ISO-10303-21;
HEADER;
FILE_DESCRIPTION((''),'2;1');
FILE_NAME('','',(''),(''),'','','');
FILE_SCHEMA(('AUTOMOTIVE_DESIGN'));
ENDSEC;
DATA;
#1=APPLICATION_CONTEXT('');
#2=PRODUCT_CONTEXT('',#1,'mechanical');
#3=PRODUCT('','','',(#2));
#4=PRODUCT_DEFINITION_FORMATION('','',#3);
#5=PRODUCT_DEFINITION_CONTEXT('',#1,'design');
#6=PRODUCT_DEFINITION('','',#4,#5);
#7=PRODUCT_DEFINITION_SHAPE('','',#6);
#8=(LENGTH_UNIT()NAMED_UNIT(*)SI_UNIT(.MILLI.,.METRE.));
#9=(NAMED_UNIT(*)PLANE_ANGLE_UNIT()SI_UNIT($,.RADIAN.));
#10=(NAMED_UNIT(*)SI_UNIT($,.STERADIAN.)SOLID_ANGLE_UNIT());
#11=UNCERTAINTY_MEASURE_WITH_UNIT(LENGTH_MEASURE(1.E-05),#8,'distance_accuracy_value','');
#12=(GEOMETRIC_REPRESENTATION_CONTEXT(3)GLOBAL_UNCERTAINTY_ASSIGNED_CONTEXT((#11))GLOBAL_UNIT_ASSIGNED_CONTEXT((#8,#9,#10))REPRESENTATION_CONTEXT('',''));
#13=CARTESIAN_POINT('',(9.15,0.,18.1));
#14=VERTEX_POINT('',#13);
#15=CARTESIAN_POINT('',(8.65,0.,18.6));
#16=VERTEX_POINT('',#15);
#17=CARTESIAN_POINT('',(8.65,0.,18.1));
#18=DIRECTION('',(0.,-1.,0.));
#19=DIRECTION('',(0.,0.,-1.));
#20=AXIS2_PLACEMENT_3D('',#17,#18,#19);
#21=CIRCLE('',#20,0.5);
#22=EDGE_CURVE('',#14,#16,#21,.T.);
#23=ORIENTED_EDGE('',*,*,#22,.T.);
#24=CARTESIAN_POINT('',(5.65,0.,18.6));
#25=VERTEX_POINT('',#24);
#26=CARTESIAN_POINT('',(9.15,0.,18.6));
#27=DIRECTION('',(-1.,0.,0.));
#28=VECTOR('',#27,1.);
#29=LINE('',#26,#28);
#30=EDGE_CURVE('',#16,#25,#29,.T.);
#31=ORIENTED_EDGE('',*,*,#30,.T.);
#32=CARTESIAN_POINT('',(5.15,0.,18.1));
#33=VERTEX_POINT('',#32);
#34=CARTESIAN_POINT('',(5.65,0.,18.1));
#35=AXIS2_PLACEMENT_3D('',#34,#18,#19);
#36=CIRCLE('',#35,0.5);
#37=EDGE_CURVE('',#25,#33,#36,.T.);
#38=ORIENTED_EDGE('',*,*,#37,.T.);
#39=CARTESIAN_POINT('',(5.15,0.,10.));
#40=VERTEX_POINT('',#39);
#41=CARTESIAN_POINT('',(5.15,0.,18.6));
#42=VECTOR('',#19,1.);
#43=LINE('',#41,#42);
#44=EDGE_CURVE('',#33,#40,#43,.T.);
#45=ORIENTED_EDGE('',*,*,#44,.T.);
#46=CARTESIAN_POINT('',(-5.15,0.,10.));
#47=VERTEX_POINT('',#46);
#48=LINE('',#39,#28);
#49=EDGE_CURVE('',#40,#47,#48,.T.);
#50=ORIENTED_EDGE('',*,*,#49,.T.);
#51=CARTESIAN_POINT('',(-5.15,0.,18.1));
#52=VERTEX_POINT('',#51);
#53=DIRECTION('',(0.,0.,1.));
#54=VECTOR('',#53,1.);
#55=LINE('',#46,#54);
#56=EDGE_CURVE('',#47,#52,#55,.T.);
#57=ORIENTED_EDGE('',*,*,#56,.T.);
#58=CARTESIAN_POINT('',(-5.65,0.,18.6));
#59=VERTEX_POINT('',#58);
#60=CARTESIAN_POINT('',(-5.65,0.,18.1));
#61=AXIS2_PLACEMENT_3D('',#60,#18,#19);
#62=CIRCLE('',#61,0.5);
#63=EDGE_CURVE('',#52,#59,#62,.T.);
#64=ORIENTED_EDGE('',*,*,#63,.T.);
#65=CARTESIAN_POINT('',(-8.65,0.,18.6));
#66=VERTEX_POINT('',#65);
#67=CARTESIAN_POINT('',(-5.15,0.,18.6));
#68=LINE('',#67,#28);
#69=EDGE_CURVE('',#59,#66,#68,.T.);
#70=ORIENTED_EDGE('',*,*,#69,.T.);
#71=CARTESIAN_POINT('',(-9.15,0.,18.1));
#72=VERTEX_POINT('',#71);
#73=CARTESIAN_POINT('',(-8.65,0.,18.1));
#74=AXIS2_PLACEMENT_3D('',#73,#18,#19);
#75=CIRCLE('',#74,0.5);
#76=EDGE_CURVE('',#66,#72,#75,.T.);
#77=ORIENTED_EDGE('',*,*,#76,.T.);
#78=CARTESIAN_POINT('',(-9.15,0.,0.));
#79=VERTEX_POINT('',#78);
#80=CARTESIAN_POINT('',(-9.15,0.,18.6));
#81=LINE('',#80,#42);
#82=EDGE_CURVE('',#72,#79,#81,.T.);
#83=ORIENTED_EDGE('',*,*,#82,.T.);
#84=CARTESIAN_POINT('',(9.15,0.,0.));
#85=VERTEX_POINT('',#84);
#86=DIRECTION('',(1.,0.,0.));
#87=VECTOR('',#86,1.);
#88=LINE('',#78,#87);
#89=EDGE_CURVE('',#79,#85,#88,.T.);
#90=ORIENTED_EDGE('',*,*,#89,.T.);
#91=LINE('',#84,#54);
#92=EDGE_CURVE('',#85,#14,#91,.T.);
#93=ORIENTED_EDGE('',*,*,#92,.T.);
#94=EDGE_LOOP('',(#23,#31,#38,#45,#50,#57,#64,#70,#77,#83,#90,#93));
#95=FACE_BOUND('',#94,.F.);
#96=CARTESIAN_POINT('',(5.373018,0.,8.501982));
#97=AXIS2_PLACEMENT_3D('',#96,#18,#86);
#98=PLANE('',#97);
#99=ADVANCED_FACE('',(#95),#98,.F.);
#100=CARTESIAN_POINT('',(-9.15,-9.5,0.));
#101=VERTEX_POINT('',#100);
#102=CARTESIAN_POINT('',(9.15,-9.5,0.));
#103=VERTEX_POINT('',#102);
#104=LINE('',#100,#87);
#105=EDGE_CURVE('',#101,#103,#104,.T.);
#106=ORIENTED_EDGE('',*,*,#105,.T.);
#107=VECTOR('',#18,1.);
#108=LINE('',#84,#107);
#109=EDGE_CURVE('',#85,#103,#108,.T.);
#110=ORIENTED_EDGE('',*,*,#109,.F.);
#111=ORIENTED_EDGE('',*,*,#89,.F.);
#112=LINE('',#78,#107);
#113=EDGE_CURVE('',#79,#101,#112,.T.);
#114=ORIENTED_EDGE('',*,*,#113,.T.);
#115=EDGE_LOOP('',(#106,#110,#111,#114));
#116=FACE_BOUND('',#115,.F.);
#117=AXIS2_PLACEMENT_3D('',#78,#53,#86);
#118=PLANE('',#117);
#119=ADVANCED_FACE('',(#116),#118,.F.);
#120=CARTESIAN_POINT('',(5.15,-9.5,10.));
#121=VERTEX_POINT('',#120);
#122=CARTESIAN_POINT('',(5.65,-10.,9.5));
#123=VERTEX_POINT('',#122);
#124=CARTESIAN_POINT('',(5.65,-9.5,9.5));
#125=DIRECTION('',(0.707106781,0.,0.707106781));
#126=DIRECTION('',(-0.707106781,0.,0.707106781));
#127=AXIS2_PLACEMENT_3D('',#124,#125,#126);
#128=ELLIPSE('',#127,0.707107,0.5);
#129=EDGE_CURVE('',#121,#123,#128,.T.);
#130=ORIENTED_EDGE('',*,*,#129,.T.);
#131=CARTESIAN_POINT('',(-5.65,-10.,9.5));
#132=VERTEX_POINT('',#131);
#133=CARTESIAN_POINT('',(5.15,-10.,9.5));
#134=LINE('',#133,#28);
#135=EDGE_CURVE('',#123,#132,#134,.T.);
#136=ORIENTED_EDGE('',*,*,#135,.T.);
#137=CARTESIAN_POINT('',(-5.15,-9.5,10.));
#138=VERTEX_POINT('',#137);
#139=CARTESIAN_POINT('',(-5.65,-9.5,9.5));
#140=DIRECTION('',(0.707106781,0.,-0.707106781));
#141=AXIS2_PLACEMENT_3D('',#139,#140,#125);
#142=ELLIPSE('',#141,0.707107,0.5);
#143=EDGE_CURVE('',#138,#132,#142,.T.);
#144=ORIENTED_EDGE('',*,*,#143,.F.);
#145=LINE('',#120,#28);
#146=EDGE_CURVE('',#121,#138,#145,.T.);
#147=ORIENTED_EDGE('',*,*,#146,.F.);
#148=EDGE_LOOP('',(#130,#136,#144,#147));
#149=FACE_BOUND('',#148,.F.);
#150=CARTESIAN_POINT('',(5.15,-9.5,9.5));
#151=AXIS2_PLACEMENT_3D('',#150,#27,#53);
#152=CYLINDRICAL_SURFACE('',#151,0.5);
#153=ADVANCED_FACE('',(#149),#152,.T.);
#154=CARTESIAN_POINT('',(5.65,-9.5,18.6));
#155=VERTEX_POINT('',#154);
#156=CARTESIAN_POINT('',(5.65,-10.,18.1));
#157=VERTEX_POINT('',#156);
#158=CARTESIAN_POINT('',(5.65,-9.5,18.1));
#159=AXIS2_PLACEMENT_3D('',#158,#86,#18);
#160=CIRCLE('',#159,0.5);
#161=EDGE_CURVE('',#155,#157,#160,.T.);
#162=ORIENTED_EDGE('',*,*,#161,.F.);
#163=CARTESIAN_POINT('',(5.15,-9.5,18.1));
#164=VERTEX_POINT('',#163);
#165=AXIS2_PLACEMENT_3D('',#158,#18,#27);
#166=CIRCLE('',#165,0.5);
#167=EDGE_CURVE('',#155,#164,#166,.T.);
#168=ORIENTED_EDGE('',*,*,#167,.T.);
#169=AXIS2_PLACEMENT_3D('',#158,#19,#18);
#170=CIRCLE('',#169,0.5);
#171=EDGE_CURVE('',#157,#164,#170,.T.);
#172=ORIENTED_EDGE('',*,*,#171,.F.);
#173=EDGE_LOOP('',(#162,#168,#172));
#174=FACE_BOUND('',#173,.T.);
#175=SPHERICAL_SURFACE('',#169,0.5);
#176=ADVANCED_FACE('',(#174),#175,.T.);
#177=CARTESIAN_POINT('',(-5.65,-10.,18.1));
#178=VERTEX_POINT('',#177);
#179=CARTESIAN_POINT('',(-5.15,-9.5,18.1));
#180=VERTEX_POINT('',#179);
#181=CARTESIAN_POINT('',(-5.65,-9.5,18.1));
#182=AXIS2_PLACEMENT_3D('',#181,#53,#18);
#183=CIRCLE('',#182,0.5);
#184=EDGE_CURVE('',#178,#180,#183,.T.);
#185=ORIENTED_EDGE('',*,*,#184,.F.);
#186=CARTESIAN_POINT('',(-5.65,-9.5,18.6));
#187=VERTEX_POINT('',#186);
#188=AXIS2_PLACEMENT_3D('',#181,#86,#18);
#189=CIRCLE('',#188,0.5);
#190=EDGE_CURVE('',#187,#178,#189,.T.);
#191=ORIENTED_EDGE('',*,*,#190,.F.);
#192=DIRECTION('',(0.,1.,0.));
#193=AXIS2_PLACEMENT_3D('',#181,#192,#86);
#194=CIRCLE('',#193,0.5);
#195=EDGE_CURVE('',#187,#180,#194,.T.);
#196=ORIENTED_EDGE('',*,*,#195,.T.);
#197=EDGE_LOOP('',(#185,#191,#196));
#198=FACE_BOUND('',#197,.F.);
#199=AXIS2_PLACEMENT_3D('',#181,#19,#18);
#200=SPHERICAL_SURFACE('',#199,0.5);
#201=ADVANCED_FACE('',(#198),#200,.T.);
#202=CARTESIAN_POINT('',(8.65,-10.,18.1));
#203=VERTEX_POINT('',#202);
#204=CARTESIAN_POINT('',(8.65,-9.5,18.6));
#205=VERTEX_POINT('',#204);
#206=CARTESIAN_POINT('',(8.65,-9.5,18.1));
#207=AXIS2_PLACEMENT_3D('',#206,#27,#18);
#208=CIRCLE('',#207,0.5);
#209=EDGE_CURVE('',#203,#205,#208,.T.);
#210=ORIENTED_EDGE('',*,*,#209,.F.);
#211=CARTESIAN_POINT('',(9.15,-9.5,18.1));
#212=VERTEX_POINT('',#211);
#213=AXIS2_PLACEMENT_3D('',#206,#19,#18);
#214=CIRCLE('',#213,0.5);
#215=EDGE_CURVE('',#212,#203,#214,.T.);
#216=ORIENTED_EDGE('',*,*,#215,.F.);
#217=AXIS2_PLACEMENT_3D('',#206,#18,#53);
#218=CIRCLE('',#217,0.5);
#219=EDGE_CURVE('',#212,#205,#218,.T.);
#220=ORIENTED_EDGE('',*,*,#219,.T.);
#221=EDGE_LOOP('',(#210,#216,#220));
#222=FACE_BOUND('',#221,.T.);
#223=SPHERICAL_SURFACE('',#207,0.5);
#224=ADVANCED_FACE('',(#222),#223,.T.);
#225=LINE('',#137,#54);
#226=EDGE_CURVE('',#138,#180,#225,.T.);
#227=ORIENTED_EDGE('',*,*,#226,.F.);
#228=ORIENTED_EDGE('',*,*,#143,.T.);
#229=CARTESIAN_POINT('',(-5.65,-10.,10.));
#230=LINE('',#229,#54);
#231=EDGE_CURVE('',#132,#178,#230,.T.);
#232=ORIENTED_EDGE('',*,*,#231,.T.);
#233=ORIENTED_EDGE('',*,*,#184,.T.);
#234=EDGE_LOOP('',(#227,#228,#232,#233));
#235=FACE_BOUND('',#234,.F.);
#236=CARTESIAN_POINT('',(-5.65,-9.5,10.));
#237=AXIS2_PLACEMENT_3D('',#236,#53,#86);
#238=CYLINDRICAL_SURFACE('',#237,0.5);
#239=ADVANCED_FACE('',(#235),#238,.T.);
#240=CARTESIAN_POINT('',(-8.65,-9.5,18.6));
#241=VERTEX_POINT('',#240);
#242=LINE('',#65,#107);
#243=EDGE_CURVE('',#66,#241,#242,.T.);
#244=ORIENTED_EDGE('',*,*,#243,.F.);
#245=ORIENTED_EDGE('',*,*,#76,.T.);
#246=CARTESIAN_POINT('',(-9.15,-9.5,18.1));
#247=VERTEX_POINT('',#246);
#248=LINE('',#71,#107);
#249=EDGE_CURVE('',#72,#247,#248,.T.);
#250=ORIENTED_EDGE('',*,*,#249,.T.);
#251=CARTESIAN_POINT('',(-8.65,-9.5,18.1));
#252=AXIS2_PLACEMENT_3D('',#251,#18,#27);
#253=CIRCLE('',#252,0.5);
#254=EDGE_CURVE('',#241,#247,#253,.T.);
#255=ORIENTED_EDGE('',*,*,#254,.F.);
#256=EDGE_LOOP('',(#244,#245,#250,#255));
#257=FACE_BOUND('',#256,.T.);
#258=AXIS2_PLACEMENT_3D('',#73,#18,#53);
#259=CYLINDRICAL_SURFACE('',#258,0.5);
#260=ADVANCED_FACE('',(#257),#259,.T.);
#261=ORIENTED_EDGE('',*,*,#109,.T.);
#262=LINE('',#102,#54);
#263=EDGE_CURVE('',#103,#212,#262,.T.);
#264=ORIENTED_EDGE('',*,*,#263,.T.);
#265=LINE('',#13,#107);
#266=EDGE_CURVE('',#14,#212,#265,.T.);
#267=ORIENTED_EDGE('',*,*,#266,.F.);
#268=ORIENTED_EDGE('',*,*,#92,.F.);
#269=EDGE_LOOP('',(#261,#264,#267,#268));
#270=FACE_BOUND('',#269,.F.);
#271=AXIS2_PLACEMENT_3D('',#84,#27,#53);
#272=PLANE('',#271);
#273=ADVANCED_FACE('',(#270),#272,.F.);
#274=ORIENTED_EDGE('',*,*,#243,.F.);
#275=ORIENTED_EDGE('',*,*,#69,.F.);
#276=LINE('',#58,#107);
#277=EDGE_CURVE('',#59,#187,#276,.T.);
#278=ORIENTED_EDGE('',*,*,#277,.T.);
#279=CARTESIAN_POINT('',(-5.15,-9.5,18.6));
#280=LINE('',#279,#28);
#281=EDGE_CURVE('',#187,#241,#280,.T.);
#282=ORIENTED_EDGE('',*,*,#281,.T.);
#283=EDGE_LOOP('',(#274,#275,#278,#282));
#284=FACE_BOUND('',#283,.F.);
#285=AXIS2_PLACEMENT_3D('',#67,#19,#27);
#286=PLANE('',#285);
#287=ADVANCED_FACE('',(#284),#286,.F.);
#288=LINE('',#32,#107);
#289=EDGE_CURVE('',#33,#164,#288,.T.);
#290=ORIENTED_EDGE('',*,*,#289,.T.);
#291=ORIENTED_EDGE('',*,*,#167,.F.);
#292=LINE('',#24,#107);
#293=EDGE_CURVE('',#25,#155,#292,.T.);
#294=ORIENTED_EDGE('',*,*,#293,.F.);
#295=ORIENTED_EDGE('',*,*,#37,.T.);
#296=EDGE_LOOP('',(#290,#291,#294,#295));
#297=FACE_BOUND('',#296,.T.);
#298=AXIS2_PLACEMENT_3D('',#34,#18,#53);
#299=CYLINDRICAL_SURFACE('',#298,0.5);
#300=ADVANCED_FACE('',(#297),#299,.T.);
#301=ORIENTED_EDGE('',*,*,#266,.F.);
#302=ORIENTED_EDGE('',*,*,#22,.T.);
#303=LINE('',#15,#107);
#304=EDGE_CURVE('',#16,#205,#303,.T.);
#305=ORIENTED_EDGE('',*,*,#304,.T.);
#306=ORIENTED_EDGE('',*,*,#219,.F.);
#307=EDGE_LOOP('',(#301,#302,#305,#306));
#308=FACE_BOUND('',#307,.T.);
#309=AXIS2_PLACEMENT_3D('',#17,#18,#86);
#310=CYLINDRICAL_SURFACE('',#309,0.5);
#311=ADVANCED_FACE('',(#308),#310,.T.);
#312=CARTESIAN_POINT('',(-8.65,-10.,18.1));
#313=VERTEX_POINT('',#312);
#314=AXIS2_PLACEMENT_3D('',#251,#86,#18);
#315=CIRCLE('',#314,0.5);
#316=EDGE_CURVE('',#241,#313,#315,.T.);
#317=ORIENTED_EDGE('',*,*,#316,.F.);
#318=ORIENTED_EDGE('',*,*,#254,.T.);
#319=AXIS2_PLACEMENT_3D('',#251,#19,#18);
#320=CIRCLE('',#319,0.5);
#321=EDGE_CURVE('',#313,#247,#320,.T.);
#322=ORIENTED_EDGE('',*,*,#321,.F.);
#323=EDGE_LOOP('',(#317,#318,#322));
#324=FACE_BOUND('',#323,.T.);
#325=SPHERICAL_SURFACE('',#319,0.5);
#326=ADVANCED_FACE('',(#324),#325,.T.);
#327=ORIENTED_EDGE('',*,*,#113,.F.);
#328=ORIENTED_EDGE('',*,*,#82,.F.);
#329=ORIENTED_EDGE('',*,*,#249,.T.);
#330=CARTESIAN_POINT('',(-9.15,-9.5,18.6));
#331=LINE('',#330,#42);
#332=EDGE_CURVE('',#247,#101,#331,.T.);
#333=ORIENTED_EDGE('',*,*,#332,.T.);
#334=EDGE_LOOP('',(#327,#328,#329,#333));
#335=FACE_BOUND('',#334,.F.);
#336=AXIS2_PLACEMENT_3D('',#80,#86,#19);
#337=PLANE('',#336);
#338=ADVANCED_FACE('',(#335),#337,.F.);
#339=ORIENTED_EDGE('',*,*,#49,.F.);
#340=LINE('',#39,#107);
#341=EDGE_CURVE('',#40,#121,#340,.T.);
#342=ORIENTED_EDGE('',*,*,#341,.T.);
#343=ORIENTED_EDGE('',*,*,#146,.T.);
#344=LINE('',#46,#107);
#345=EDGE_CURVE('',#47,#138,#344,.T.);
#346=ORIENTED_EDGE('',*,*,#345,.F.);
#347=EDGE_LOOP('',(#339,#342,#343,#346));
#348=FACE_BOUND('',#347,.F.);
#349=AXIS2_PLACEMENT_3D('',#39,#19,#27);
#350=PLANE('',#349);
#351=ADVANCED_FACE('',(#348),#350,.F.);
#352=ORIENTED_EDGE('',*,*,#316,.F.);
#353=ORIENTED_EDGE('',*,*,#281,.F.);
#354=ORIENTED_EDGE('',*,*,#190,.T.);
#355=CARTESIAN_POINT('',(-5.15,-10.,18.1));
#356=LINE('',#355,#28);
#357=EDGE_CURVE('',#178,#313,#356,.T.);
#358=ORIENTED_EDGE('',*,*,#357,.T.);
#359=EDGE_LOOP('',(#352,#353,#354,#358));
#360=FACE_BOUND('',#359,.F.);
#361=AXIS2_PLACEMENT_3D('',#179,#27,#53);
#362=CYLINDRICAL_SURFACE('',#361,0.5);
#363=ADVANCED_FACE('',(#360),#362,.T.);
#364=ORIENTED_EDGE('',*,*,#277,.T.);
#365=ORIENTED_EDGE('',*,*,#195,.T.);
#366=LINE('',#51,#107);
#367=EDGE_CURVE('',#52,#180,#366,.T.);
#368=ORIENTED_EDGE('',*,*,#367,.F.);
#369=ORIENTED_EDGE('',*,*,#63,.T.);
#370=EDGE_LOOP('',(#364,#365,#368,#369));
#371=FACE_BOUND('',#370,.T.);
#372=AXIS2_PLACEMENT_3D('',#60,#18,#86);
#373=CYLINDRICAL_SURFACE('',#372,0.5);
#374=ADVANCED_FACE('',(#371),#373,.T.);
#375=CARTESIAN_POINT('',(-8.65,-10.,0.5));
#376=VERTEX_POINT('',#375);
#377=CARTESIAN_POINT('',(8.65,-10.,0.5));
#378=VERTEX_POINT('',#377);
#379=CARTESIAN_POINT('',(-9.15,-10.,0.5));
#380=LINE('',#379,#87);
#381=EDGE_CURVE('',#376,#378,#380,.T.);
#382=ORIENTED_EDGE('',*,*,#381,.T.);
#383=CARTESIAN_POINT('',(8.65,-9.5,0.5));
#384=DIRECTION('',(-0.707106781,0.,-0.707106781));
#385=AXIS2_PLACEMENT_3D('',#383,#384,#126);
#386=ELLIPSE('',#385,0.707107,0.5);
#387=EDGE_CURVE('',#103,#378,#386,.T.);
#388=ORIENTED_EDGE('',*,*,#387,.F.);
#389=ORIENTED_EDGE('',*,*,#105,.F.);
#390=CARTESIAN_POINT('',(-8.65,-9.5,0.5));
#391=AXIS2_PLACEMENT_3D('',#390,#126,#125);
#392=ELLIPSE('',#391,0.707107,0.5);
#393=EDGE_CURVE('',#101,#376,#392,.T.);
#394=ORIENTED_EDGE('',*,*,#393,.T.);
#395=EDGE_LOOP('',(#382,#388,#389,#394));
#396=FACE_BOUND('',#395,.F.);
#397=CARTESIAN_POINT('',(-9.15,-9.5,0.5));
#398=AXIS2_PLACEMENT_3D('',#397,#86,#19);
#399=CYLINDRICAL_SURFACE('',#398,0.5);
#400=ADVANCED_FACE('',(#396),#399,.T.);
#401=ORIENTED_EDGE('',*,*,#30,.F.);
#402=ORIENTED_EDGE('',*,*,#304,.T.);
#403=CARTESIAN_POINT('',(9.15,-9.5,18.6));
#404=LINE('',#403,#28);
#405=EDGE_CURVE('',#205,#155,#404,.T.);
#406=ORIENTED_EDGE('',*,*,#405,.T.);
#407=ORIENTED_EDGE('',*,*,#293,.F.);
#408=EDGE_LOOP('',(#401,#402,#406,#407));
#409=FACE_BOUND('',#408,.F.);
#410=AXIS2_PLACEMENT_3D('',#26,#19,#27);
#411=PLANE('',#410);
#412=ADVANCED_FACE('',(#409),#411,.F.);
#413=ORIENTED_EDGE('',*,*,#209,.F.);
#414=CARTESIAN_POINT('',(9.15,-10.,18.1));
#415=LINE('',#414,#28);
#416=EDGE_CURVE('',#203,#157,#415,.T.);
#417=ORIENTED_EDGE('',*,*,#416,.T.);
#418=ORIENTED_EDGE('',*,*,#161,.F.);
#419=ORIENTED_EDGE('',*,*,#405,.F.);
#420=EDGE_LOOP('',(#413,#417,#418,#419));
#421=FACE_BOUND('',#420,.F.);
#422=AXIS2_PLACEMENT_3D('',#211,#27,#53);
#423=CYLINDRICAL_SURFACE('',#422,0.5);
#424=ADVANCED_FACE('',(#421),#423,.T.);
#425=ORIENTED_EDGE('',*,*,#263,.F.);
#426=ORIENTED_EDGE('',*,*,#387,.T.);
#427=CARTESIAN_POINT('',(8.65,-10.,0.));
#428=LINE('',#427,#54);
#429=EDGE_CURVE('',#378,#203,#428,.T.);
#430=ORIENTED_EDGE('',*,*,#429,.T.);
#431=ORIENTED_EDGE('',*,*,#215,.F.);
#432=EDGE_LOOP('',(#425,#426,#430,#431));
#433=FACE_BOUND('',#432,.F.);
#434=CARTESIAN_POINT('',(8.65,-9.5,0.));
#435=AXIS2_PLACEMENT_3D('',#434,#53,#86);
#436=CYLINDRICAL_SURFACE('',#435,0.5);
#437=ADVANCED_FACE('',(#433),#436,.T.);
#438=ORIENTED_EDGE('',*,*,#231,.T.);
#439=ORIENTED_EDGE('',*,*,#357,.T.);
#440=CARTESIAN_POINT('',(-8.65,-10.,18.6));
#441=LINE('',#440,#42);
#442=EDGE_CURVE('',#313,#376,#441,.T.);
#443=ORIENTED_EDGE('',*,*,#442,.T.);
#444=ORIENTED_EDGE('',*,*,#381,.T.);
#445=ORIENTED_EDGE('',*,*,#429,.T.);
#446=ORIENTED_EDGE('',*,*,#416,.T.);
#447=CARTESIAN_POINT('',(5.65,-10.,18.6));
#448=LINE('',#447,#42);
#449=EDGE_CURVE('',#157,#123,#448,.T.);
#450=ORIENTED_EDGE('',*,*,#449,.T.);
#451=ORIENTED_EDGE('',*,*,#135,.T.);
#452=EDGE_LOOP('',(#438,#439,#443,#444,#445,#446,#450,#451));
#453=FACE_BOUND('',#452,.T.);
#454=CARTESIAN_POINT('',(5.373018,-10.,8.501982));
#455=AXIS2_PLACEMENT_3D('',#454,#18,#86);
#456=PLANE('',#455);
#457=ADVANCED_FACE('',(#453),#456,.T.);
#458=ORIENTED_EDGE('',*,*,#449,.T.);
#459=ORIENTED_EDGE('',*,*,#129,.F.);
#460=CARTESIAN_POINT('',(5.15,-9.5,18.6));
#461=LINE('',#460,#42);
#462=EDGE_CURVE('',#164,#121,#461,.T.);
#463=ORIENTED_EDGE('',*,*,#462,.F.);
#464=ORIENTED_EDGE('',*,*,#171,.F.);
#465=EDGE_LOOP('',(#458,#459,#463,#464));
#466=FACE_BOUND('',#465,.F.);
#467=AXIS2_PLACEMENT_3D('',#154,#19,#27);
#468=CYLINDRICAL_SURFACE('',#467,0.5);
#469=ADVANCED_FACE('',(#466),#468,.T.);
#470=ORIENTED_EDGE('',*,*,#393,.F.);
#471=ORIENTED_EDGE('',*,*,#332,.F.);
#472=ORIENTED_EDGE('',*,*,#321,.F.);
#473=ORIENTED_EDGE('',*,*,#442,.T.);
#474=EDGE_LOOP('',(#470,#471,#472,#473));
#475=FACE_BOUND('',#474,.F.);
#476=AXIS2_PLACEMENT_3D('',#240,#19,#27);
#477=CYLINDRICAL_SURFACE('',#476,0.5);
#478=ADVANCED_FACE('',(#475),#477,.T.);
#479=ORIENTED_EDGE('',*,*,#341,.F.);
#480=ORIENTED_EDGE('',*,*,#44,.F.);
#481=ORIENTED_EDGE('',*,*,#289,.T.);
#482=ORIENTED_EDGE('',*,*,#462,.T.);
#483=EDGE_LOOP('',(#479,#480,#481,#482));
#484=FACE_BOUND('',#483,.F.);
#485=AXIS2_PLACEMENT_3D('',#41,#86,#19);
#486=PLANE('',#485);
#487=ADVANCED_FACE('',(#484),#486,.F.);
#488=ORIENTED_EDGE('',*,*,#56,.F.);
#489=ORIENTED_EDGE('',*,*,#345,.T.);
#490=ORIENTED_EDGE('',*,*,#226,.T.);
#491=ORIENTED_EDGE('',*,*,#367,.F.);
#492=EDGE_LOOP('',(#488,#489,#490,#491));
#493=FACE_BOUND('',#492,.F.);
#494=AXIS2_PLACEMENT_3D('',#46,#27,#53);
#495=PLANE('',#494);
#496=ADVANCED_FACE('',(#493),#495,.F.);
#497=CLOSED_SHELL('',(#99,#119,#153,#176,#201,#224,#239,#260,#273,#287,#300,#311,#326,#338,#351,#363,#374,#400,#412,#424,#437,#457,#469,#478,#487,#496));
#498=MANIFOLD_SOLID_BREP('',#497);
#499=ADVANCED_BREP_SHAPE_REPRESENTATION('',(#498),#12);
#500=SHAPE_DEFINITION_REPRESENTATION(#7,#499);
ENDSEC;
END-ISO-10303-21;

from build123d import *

# Parameters (mm, degrees)
F1_DEPTH = 10
F2_R     = 0.5


with BuildPart() as f1:
    # F0 (on Front) → F1 (new body)
    with BuildSketch(Plane.XZ):
        Polygon((0, 10), (0, 0), (9.15, 0), (9.15, 18.6), (5.15, 18.6), (5.15, 10), align=None)
        Polygon((-9.15, 18.6), (-9.15, 0), (0, 0), (0, 10), (-5.15, 10), (-5.15, 18.6), align=None)
    extrude(amount=F1_DEPTH)

    # F2
    f2_edges = [f1.edges().sort_by_distance(p)[0] for p in [
        (-5.15, -10, 14.3),
        (0, -10, 10),
        (5.15, -10, 14.3),
        (7.15, -10, 18.6),
        (9.15, -10, 9.3),
        (0, -10, 0),
        (-9.15, -10, 9.3),
        (-7.15, -10, 18.6),
        (5.15, -5, 18.6),
        (9.15, -5, 18.6),
        (-5.15, -5, 18.6),
        (-9.15, -5, 18.6),
    ]]
    fillet(f2_edges, radius=F2_R)


solid = f1.part
